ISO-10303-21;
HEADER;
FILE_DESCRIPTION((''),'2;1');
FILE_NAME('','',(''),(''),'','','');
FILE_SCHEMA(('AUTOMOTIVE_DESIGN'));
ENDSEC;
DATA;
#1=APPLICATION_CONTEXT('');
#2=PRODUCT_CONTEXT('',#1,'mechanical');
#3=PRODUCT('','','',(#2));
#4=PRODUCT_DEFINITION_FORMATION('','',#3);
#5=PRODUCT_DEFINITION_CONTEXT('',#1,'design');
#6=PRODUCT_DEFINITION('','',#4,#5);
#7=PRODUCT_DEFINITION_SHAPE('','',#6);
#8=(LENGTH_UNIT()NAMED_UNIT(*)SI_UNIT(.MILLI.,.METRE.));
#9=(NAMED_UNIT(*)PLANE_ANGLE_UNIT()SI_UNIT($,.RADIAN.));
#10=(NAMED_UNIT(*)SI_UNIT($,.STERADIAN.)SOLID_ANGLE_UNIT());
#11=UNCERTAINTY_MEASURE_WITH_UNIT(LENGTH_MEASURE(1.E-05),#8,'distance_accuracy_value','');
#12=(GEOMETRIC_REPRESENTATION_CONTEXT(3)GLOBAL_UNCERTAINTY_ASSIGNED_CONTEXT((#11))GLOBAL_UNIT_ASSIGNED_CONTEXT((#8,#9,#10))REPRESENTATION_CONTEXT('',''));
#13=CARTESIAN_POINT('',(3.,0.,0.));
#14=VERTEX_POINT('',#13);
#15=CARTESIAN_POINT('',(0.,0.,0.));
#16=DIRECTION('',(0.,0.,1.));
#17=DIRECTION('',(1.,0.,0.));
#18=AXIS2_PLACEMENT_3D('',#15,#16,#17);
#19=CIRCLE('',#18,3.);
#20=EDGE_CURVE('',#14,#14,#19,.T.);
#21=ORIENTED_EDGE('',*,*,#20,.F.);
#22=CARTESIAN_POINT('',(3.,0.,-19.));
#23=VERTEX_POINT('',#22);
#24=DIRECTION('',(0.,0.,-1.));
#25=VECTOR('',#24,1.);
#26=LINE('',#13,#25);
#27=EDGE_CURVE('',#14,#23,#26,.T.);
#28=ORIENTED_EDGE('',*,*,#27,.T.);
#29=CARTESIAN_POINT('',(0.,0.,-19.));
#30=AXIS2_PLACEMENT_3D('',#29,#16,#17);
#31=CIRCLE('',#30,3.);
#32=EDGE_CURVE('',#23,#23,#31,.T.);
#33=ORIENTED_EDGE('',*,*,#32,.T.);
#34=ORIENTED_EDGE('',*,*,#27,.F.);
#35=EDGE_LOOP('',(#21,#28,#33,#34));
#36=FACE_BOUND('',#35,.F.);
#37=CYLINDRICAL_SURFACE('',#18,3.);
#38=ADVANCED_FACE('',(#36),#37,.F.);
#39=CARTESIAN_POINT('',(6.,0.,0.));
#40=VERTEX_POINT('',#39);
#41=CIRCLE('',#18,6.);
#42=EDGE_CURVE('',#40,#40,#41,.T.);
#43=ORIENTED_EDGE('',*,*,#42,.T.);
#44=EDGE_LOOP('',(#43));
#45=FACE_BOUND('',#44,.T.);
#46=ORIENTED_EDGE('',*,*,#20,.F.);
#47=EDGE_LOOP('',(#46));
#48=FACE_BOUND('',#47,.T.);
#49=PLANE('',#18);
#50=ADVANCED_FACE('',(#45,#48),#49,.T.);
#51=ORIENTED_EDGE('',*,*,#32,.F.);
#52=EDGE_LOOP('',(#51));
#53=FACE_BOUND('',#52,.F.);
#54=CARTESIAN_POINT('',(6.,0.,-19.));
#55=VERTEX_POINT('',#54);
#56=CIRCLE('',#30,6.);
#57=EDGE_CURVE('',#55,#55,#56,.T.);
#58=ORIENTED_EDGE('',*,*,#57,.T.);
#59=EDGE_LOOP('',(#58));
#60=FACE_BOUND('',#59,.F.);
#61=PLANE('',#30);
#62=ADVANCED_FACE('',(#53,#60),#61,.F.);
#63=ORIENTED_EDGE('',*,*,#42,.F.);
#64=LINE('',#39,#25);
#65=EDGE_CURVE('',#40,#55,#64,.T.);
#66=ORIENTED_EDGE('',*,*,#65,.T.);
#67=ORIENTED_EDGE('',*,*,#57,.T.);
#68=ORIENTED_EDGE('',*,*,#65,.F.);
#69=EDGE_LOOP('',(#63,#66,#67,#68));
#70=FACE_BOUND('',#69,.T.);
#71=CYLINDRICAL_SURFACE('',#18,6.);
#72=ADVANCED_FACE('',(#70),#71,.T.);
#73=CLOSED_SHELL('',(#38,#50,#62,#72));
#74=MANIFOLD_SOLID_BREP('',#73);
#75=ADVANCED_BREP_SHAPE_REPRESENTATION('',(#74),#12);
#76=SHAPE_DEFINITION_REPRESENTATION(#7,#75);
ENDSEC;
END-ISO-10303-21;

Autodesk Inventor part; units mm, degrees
ref_plane "YZ Plane" through (0, 0, 0) normal (1, 0, 0) x (0, 1, 0)
ref_plane "XZ Plane" through (0, 0, 0) normal (0, 1, 0) x (-1, 0, 0)
ref_plane "XY Plane" through (0, 0, 0) normal (0, 0, 1) x (1, 0, 0)
sketch "Sketch1" plane through (0, 0, 0) normal (0, 0, 1) x (1, 0, 0)
  circle A0 centre (0, 0) radius 3
  circle A1 centre (0, 0) radius 6
  dimension "d0" = 6
  dimension "d1" = 12
extrude "Extrusion1" add sketch "Sketch1" against normal blind 19
properties part number "LM6UU" material "Stainless Steel"
